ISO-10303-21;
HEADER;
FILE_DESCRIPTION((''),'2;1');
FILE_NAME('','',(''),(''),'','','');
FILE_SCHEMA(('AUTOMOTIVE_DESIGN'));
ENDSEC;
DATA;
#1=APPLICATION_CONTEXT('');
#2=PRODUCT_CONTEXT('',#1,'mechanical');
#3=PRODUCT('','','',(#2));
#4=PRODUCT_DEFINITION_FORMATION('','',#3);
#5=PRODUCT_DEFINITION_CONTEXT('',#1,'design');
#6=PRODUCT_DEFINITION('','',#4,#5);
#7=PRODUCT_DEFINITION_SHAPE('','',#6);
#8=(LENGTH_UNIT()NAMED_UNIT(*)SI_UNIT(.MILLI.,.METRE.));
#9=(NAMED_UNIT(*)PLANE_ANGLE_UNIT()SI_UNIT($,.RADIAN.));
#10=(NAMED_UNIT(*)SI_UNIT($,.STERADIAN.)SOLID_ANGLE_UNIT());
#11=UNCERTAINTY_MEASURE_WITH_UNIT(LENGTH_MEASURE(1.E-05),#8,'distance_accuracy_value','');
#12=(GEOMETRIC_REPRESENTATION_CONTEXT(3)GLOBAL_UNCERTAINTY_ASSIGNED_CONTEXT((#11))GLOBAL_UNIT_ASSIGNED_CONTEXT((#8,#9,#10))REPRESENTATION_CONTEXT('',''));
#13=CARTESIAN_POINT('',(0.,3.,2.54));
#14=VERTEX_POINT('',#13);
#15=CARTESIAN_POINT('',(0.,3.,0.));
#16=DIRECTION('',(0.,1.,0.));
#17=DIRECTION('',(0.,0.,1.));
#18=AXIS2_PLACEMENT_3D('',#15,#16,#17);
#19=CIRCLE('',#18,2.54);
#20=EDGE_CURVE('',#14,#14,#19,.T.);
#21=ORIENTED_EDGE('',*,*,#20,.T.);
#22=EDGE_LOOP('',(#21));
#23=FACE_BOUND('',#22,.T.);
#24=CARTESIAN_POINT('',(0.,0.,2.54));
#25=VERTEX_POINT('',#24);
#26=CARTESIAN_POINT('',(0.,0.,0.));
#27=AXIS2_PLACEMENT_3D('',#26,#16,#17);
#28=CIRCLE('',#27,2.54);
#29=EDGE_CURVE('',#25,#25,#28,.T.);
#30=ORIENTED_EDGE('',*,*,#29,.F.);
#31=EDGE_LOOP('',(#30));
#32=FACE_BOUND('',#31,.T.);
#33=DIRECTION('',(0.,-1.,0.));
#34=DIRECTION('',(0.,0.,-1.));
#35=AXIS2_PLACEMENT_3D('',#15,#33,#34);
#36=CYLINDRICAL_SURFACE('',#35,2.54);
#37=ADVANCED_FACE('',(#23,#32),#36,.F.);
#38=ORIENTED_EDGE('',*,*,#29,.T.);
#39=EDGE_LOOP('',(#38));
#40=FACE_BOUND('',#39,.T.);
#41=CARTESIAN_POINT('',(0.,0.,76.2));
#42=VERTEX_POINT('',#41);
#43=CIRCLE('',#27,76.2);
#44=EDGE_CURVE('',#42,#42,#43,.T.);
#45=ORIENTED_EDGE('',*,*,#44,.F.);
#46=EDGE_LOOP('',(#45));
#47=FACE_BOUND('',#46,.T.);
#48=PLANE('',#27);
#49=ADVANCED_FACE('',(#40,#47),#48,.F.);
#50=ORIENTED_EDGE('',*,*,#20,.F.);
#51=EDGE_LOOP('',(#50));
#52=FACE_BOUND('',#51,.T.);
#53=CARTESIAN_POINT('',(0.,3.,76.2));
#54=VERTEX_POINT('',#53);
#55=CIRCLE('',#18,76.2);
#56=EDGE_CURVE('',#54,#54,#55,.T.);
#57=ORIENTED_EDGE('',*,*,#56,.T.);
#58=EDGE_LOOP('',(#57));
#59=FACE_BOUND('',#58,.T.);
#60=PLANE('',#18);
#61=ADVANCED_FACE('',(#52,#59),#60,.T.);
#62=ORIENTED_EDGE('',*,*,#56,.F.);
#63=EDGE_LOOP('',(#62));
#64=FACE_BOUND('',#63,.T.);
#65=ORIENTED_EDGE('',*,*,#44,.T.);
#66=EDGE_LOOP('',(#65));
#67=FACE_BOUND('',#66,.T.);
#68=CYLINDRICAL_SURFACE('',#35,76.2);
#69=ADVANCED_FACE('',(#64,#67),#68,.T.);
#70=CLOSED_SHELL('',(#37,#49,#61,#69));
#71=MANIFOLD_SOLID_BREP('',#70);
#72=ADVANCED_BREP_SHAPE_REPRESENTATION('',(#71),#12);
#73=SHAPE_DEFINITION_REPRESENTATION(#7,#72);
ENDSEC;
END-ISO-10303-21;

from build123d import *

# Parameters (mm, degrees)
SKETCH1_R           = 76.2
SKETCH1_R_2         = 2.54
BOSS_EXTRUDE1_DEPTH = 3


with BuildPart() as part:
    # Sketch1 → Boss-Extrude1 (new body)
    with BuildSketch(Plane(origin=(0, 0, 0), x_dir=(1, 0, 0), z_dir=(0, 1, 0))):
        Circle(SKETCH1_R)
        Circle(SKETCH1_R_2, mode=Mode.SUBTRACT)
    extrude(amount=BOSS_EXTRUDE1_DEPTH)


solid = part.part
